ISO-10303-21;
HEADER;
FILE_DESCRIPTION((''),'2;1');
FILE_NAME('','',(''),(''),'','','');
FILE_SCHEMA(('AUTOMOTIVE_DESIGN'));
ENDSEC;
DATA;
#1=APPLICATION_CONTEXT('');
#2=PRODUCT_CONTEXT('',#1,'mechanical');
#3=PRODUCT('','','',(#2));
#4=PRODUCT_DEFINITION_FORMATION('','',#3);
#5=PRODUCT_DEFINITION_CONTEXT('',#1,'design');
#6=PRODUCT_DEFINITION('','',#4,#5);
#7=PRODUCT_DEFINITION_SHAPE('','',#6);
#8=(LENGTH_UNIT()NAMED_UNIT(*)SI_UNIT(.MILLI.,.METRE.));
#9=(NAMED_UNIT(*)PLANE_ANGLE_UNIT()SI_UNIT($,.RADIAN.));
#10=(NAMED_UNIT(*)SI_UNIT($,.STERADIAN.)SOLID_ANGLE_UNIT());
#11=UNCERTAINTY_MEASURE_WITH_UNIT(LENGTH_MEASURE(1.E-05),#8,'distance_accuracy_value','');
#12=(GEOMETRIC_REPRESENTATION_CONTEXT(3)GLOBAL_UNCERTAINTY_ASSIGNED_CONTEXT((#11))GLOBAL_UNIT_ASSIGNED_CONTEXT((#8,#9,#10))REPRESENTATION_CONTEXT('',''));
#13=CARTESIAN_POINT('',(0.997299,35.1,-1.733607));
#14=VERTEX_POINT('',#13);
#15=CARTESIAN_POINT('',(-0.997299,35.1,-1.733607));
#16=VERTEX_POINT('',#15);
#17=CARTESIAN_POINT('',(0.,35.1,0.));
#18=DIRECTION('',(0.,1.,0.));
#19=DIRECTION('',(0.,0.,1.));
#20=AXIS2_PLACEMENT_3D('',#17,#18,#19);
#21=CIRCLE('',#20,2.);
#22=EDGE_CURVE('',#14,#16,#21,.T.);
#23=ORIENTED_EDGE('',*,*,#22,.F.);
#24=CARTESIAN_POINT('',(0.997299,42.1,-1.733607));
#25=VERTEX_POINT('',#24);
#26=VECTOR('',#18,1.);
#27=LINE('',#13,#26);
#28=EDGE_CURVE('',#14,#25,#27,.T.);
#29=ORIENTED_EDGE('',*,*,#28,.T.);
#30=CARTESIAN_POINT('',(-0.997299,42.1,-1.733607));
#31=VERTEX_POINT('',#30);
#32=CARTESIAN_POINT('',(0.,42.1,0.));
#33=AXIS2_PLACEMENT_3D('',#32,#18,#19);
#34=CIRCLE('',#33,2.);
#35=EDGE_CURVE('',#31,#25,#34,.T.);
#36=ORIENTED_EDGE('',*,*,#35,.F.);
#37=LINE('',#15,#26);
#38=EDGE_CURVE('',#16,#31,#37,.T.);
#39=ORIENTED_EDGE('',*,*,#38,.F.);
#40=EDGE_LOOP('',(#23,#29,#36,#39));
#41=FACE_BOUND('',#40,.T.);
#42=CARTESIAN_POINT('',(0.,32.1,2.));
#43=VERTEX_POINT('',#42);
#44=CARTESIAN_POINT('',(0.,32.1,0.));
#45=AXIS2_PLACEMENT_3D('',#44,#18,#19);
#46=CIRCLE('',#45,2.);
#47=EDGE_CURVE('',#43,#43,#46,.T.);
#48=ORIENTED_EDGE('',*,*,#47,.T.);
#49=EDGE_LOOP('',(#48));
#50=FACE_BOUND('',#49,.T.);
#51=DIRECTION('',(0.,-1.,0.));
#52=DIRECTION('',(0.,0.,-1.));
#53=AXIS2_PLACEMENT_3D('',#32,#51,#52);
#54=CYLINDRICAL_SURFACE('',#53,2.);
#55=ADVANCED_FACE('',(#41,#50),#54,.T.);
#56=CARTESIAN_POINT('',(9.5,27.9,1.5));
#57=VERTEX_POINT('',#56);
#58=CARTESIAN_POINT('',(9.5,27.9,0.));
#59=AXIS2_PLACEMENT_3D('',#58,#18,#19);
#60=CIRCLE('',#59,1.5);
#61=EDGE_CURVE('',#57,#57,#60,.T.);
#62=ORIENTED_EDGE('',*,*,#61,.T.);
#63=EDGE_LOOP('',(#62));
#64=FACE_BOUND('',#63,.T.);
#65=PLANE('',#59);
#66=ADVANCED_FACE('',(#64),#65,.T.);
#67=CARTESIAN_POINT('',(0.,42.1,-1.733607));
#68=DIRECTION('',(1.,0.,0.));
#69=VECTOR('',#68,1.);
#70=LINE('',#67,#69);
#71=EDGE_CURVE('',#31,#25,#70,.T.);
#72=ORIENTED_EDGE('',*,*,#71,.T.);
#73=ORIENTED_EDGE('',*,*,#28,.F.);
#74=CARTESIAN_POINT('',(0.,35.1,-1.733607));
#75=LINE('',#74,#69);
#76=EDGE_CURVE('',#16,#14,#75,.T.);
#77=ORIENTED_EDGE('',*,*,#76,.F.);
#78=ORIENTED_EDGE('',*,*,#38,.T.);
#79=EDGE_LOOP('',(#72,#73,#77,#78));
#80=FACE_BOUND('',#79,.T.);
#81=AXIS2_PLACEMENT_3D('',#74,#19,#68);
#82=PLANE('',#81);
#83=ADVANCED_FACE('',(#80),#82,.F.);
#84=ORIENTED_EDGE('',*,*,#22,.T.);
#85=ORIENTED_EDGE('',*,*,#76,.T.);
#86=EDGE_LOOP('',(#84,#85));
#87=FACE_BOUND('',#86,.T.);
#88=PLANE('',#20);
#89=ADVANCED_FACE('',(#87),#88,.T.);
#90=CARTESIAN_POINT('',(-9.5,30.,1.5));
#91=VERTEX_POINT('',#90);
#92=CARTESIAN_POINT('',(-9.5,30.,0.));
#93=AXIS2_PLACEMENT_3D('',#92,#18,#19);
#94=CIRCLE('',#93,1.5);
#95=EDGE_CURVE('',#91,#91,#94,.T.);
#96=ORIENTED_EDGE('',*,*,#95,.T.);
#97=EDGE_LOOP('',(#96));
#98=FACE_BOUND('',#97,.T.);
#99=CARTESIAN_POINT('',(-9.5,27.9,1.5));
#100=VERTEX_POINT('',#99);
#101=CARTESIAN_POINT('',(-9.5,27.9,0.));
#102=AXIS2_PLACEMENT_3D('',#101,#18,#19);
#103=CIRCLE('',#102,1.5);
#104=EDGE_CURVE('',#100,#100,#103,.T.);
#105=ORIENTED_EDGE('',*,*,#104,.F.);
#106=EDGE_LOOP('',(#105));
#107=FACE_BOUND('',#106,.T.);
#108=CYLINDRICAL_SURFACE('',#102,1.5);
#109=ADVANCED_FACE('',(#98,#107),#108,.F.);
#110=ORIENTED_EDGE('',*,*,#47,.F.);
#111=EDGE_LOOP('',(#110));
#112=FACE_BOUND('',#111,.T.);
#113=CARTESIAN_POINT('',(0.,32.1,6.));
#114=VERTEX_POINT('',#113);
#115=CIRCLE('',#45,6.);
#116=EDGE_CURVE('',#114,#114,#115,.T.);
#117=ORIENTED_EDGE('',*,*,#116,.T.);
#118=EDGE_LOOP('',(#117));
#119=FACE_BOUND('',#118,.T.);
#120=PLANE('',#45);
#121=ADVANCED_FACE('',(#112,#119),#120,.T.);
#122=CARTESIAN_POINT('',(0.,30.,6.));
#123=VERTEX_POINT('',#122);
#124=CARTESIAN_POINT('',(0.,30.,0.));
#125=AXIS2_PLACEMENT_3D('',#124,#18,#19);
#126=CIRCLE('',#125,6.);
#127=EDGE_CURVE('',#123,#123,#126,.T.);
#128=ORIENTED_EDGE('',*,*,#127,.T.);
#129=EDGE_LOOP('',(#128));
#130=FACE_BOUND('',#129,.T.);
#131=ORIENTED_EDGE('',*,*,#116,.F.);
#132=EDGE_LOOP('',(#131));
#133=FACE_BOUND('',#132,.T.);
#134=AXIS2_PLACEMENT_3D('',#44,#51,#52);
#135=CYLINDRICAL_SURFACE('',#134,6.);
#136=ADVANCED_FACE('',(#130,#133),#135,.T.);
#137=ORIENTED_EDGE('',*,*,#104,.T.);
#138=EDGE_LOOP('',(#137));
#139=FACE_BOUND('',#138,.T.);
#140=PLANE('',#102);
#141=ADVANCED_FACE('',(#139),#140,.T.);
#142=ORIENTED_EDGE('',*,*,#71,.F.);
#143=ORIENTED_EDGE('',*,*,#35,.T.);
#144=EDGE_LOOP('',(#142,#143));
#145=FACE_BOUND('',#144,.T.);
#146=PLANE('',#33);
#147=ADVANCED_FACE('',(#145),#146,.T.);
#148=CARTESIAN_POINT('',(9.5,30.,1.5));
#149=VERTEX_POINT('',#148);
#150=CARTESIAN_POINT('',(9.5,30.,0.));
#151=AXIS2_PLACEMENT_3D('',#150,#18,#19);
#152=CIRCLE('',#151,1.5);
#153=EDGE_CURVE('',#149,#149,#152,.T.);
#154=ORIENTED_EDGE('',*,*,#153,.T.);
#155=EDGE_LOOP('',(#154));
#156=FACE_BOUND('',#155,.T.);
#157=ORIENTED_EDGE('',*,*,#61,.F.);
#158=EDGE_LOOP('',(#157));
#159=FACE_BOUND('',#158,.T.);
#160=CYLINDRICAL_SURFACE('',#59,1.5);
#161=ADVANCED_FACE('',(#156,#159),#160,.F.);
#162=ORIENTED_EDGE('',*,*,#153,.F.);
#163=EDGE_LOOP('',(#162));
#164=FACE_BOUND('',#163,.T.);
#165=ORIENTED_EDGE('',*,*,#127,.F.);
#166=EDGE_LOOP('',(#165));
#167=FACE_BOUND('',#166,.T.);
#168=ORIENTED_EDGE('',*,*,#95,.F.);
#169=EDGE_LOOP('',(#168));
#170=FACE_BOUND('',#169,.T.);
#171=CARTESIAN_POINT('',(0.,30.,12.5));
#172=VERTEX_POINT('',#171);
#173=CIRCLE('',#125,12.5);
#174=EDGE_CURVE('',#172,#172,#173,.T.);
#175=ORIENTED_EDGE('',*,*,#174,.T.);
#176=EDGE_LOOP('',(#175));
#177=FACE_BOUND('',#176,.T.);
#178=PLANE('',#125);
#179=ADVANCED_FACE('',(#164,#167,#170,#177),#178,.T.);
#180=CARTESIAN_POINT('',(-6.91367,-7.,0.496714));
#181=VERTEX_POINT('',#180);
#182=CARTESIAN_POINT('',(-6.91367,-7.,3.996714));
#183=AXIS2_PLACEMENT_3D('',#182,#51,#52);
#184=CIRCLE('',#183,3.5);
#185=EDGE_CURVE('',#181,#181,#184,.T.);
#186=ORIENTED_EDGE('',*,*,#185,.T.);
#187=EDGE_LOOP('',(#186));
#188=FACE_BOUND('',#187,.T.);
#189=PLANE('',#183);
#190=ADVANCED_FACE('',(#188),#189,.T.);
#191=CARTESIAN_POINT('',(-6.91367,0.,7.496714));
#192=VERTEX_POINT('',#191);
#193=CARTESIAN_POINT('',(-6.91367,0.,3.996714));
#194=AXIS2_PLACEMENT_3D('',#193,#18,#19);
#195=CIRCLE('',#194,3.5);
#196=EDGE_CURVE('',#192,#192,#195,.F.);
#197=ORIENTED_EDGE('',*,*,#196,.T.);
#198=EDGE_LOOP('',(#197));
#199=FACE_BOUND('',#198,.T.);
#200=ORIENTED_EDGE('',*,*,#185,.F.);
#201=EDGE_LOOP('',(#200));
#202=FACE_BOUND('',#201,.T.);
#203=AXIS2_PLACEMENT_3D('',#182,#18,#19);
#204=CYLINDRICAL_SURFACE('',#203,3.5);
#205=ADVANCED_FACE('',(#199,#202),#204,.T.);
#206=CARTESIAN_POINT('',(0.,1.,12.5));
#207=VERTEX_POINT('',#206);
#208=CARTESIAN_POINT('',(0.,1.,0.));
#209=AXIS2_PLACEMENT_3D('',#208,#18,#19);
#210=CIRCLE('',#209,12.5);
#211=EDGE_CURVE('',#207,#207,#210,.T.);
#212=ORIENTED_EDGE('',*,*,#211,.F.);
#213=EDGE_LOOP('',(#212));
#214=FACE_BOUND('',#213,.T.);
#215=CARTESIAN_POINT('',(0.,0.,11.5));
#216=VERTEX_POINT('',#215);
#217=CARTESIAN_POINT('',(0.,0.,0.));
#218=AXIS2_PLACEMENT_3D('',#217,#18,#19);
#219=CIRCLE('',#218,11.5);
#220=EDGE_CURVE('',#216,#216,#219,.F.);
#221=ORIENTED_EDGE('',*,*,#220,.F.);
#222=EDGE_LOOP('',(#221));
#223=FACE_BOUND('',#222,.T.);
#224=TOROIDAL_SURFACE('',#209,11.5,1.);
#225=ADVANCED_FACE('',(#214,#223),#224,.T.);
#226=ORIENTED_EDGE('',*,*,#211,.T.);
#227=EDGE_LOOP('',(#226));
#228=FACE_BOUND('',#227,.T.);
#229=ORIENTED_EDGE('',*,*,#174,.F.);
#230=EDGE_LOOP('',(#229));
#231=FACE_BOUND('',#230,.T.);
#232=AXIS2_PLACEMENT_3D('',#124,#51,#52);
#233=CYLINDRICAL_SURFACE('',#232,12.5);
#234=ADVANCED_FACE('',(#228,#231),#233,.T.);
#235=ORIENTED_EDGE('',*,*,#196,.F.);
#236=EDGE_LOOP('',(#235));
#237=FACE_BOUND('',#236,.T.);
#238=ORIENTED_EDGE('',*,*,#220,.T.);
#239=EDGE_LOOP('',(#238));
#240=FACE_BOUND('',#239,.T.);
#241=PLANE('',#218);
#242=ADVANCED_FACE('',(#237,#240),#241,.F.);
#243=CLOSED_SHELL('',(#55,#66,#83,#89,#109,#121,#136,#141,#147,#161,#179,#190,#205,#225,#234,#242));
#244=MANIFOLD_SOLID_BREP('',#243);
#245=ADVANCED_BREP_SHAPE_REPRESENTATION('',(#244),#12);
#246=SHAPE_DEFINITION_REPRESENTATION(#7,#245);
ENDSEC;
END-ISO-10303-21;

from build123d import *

# Parameters (mm, degrees)
SKETCH_1_R          = 12.5
EXTRUDE_1_DEPTH     = 30
FILLET_1_R          = 1
SKETCH_2_R          = 6
EXTRUDE_2_DEPTH     = 2.1
SKETCH_3_R          = 1.5
CUT_EXTRUDE_1_DEPTH = 2.1
SKETCH_4_R          = 2
EXTRUDE_3_DEPTH     = 10
CUT_EXTRUDE_START   = -7
CUT_EXTRUDE_2_DEPTH = 7
SKETCH_6_R          = 3.5
EXTRUDE_4_DEPTH     = 7


with BuildPart() as part:
    # 草图1 → 凸台-拉伸1 (new body)
    with BuildSketch(Plane(origin=(0, 0, 0), x_dir=(1, 0, 0), z_dir=(0, 1, 0))):
        with Locations(Location((0, 0, 0), (0, 0, 270))):
            Circle(SKETCH_1_R)
    extrude(amount=EXTRUDE_1_DEPTH)

    # 圆角1
    fillet_1_edges = [part.edges().sort_by_distance(p)[0] for p in [
        (0, 0, -12.5),
    ]]
    fillet(fillet_1_edges, radius=FILLET_1_R)

    # 草图2 → 凸台-拉伸2 (add)
    with BuildSketch(Plane(origin=(0, 30, 0), x_dir=(1, 0, 0), z_dir=(0, 1, 0))):
        with Locations(Location((0, 0, 0), (0, 0, 270))):
            Circle(SKETCH_2_R)
    extrude(amount=EXTRUDE_2_DEPTH)

    # 草图3 → 切除-拉伸1 (cut)
    with BuildSketch(Plane(origin=(0, 30, 0), x_dir=(1, 0, 0), z_dir=(0, 1, 0))):
        with Locations(Location((-9.5, 0, 0), (0, 0, 270))):
            Circle(SKETCH_3_R)
        with Locations(Location((9.5, 0, 0), (0, 0, 270))):
            Circle(SKETCH_3_R)
    extrude(amount=-CUT_EXTRUDE_1_DEPTH, mode=Mode.SUBTRACT)

    # 草图4 → 凸台-拉伸3 (add)
    with BuildSketch(Plane(origin=(0, 32.1, 0), x_dir=(1, 0, 0), z_dir=(0, 1, 0))):
        with Locations(Location((0, 0, 0), (0, 0, 270))):
            Circle(SKETCH_4_R)
    extrude(amount=EXTRUDE_3_DEPTH)

    # 草图5 → 切除-拉伸2 (cut)
    with BuildSketch(Plane(origin=(0, 42.1, 0), x_dir=(1, 0, 0), z_dir=(0, 1, 0)).offset(CUT_EXTRUDE_START)):
        with BuildLine():
            Line((-0.99729895, 1.733607454), (0.99729895, 1.733607454))
            ThreePointArc((0.99729895, 1.733607454), (0, 2), (-0.99729895, 1.733607454))
        make_face()
    extrude(amount=CUT_EXTRUDE_2_DEPTH, mode=Mode.SUBTRACT)

    # 草图6 → 凸台-拉伸4 (add)
    with BuildSketch(Plane.XZ):
        with Locations(Location((-6.913670465, 3.996713823, 0), (0, 0, 90))):
            Circle(SKETCH_6_R)
    extrude(amount=EXTRUDE_4_DEPTH)


solid = part.part
